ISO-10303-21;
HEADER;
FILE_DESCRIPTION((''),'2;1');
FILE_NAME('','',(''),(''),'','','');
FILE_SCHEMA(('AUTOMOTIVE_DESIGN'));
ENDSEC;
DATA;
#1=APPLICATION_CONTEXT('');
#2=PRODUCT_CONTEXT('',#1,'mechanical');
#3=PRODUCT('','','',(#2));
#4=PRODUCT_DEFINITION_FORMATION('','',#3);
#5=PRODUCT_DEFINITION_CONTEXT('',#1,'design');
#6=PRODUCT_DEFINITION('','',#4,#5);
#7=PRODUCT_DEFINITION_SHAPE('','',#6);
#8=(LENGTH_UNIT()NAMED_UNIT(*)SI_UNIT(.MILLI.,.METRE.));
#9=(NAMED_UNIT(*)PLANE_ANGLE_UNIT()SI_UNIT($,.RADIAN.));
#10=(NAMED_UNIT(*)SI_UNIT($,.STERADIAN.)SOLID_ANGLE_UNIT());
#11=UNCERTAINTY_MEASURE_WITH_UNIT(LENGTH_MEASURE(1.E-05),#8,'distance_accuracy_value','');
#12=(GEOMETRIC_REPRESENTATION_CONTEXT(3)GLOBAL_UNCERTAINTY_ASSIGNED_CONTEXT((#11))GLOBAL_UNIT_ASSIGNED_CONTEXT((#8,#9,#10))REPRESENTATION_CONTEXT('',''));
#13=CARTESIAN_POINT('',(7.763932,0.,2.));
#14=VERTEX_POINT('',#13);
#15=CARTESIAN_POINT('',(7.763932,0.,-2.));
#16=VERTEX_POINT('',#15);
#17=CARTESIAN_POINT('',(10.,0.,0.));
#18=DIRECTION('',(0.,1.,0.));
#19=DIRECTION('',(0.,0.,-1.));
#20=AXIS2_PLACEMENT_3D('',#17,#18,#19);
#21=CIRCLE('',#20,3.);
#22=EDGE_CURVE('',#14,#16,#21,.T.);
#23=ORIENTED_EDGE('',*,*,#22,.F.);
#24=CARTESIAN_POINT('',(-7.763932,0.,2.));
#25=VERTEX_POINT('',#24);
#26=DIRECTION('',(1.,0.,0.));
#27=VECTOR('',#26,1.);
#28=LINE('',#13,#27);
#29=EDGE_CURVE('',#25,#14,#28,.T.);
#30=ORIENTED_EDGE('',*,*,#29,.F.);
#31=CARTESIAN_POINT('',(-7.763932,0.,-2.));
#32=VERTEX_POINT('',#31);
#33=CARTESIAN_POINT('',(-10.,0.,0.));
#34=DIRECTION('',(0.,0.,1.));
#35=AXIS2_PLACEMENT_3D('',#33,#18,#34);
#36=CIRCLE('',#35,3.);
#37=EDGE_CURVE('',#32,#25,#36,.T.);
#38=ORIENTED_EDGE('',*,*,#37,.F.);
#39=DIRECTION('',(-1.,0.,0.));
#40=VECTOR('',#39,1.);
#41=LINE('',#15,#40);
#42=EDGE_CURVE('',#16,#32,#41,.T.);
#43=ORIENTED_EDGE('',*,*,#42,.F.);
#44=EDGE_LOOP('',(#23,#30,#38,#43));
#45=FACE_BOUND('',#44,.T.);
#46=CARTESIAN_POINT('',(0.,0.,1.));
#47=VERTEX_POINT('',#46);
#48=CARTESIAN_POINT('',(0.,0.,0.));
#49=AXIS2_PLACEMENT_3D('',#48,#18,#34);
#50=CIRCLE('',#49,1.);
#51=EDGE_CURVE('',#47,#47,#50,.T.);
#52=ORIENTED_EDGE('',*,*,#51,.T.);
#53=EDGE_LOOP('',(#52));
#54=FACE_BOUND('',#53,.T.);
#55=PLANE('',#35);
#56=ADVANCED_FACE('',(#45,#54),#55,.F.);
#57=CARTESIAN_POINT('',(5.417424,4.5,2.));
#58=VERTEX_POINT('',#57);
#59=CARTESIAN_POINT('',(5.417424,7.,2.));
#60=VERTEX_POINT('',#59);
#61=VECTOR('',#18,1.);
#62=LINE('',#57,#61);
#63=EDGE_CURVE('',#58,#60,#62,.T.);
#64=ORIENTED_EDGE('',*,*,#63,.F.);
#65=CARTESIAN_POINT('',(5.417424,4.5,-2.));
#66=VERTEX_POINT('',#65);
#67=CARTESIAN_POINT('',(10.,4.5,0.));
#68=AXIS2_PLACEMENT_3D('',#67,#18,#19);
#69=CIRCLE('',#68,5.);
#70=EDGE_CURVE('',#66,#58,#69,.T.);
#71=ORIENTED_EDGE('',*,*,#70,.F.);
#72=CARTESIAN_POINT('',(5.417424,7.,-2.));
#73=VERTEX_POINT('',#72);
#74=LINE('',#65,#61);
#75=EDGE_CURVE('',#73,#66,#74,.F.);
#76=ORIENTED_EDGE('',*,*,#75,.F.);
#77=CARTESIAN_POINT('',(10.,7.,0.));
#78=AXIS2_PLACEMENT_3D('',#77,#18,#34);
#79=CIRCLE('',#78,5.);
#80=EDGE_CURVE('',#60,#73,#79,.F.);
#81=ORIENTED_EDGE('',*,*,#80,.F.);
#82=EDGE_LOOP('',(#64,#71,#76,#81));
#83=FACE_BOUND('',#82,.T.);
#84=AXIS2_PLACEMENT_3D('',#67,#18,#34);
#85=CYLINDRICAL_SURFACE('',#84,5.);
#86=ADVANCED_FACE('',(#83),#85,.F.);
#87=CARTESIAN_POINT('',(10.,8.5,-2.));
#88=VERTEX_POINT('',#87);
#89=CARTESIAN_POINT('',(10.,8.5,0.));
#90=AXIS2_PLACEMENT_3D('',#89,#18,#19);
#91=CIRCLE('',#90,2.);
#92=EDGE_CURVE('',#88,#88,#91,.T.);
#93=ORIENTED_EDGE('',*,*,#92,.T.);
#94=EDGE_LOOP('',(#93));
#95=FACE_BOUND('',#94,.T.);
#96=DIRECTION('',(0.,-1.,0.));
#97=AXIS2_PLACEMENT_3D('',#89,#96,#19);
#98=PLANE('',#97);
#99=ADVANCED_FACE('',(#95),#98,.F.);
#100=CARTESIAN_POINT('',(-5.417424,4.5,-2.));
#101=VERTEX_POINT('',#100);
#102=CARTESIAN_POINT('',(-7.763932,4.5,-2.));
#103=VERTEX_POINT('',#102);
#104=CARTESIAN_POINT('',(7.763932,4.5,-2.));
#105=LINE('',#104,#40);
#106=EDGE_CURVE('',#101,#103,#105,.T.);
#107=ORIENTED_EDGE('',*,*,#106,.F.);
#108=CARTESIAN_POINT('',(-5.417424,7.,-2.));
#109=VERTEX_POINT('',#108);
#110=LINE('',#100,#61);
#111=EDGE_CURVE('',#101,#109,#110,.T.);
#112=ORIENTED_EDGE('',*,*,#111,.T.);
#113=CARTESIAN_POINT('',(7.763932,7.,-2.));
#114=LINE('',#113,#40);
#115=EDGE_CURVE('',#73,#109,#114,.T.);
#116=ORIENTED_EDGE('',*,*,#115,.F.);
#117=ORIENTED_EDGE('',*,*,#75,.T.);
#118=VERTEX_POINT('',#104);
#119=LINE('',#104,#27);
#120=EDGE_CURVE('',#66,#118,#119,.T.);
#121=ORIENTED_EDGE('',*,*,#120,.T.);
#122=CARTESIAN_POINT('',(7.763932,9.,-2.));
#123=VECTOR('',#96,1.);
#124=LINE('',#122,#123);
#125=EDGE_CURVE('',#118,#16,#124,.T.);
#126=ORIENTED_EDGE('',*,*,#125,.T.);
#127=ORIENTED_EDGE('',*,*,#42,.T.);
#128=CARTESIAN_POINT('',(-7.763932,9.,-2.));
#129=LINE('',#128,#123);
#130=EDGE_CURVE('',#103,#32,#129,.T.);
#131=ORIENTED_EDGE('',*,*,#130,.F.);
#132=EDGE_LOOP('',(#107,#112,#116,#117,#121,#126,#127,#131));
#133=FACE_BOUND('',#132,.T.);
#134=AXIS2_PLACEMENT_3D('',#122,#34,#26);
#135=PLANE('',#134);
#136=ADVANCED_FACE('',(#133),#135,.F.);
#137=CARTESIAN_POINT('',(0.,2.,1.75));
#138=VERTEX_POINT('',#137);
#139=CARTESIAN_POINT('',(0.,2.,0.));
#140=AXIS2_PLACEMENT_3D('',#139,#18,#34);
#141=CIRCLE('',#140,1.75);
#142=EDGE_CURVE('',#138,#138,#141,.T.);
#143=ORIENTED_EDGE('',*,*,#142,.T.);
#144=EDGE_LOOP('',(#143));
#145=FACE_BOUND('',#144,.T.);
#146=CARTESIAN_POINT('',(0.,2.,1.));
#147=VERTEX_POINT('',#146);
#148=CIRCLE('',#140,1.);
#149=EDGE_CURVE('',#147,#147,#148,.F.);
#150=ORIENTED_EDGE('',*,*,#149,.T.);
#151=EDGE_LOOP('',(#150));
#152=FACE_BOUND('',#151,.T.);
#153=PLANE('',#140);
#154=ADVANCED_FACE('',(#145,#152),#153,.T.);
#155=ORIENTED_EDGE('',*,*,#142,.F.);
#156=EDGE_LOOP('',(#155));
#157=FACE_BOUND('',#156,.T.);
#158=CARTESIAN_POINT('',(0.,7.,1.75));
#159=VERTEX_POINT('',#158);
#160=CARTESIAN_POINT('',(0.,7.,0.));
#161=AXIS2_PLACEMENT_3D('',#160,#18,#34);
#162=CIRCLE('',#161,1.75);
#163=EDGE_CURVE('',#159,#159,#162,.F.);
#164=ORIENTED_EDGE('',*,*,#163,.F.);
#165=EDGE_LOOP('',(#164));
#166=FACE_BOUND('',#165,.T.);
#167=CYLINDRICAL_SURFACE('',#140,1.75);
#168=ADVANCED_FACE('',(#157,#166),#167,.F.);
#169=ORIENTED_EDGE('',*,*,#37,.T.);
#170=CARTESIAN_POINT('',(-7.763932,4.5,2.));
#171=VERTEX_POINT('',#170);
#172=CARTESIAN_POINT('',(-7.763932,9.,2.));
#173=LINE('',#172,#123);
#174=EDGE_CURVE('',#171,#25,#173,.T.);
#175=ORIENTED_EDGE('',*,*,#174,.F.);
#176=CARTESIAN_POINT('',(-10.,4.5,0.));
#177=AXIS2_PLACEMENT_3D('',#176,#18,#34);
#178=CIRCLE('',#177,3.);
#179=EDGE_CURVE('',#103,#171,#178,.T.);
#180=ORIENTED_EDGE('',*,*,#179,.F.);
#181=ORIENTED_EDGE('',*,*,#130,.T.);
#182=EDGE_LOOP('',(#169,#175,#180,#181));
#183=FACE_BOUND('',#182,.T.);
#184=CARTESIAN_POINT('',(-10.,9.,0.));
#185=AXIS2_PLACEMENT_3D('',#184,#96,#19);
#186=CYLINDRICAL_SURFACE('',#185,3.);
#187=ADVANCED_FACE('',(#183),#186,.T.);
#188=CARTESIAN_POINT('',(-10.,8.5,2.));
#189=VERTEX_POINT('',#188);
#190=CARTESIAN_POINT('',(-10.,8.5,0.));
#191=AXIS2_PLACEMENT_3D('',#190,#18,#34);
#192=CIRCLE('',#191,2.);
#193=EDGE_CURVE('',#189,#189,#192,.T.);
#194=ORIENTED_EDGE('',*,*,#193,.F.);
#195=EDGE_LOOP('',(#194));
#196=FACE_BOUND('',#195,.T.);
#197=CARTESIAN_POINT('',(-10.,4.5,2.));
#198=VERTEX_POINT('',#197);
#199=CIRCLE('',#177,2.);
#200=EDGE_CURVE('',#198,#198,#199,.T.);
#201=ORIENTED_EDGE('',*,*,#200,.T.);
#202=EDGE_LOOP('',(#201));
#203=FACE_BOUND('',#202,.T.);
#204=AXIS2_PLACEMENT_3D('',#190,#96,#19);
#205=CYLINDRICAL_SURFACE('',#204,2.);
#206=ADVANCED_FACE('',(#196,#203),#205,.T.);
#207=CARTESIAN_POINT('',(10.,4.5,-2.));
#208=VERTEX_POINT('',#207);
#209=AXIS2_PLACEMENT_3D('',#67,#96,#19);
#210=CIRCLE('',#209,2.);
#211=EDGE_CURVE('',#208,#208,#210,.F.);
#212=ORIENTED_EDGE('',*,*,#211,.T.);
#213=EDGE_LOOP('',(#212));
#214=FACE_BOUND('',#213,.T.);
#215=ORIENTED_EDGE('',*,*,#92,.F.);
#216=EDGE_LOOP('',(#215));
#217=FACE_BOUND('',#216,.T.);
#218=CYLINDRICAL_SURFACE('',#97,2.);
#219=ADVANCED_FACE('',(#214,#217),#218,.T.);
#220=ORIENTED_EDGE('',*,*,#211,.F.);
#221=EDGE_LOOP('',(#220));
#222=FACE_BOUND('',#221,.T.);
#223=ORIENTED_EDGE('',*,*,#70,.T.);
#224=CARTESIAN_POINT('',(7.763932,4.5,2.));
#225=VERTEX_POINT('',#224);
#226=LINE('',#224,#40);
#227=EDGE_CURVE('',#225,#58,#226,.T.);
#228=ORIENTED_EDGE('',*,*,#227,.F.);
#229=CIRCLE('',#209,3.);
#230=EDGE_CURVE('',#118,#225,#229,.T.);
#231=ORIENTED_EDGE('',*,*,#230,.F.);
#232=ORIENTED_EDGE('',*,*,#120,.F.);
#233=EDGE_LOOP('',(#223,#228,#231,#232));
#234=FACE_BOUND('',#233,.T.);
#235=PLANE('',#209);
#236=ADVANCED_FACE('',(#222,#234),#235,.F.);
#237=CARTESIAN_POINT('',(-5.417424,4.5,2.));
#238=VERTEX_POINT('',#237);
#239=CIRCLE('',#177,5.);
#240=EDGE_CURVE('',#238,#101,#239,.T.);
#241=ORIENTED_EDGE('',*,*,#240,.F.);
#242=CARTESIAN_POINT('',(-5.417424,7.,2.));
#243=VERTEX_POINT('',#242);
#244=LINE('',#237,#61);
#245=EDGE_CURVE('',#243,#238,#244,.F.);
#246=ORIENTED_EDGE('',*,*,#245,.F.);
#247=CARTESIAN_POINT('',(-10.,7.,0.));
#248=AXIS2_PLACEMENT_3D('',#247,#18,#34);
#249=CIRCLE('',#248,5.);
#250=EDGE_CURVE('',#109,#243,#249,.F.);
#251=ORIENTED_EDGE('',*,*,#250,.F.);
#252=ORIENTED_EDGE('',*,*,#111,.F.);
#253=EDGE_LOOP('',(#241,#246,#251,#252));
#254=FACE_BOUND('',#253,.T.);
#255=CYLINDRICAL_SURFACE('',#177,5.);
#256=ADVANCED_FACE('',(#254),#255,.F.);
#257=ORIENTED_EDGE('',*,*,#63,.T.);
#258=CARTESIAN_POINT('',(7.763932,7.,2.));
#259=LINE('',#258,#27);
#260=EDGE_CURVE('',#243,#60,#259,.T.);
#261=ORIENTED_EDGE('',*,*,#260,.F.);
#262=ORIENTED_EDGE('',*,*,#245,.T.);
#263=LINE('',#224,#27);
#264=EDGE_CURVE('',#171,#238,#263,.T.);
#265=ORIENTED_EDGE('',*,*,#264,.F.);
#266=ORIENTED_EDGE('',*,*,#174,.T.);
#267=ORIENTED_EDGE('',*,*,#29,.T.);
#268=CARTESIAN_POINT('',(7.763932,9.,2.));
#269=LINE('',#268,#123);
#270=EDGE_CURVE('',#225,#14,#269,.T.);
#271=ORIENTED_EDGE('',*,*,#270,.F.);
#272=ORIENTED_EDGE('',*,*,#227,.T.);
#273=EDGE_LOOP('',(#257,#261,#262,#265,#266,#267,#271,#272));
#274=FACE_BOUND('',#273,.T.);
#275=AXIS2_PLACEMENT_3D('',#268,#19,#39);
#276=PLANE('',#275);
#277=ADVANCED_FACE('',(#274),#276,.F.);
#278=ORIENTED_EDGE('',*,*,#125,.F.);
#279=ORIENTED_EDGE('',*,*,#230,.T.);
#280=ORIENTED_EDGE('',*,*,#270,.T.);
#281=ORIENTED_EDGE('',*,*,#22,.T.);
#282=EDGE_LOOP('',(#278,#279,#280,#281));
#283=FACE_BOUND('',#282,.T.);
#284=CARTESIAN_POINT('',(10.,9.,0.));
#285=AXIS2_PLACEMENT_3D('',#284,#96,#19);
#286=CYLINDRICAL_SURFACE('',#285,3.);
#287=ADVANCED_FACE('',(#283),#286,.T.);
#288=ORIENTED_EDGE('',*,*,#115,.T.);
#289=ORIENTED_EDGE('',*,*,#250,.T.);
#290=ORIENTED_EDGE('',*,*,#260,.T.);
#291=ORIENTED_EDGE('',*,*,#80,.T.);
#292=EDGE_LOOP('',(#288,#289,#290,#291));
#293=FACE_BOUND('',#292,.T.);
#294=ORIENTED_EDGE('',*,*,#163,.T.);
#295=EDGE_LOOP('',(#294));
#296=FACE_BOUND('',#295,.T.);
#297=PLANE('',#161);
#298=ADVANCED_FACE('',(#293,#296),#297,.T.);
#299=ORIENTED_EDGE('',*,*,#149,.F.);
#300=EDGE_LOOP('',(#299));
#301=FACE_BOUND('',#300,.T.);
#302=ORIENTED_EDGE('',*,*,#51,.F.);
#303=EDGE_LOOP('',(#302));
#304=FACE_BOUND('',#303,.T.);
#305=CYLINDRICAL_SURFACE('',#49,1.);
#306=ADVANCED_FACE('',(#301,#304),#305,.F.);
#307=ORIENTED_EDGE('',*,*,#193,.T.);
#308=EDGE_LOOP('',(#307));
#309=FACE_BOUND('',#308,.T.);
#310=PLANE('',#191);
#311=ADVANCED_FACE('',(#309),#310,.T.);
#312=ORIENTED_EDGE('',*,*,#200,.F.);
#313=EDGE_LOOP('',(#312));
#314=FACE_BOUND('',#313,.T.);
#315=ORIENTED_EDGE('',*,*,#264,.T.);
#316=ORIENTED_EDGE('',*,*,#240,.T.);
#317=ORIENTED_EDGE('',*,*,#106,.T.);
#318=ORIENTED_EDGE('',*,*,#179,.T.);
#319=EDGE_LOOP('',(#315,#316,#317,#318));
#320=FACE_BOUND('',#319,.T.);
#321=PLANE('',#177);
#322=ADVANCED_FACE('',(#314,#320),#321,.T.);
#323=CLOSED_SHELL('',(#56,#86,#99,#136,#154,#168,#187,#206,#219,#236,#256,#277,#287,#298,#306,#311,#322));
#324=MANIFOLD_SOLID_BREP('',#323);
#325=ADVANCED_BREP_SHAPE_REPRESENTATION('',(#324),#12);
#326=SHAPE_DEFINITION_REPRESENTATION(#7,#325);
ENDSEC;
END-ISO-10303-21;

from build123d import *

# Parameters (mm, degrees)
EXTRUDE_1_DEPTH     = 9
SKETCH_2_R          = 5
CUT_EXTRUDE_1_DEPTH = 4.5
SKETCH_3_R          = 2
EXTRUDE_2_DEPTH     = 4
SKETCH_4_R          = 1
CUT_EXTRUDE_2_DEPTH = 10
SKETCH_5_R          = 1.75
CUT_EXTRUDE_3_DEPTH = 7
SKETCH_6_W          = 12.787856614
SKETCH_6_H          = 6.453658168
CUT_EXTRUDE_4_DEPTH = 2


with BuildPart() as part:
    # 草图1 → 凸台-拉伸1 (new body)
    with BuildSketch(Plane(origin=(0, 0, 0), x_dir=(1, 0, 0), z_dir=(0, 1, 0))):
        with BuildLine():
            Line((7.763932023, -2), (-7.763932023, -2))
            ThreePointArc((-7.763932023, -2), (-13, 0), (-7.763932023, 2))
            Line((-7.763932023, 2), (7.763932023, 2))
            ThreePointArc((7.763932023, 2), (13, 0), (7.763932023, -2))
        make_face()
    extrude(amount=EXTRUDE_1_DEPTH)

    # 草图2 → 切除-拉伸1 (cut)
    with BuildSketch(Plane(origin=(0, 9, 0), x_dir=(1, 0, 0), z_dir=(0, 1, 0))):
        with Locations((-10, 0)):
            Circle(SKETCH_2_R)
        with Locations((10, 0)):
            Circle(SKETCH_2_R)
    extrude(amount=-CUT_EXTRUDE_1_DEPTH, mode=Mode.SUBTRACT)

    # 草图3 → 凸台-拉伸2 (add)
    with BuildSketch(Plane(origin=(0, 4.5, 0), x_dir=(1, 0, 0), z_dir=(0, 1, 0))):
        with Locations((-10, 0)):
            Circle(SKETCH_3_R)
        with Locations((10, 0)):
            Circle(SKETCH_3_R)
    extrude(amount=EXTRUDE_2_DEPTH)

    # 草图4 → 切除-拉伸2 (cut, through all)
    with BuildSketch(Plane(origin=(0, 9, 0), x_dir=(1, 0, 0), z_dir=(0, 1, 0))):
        Circle(SKETCH_4_R)
    extrude(amount=-CUT_EXTRUDE_2_DEPTH, mode=Mode.SUBTRACT)

    # 草图5 → 切除-拉伸3 (cut)
    with BuildSketch(Plane(origin=(0, 9, 0), x_dir=(1, 0, 0), z_dir=(0, 1, 0))):
        Circle(SKETCH_5_R)
    extrude(amount=-CUT_EXTRUDE_3_DEPTH, mode=Mode.SUBTRACT)

    # 草图6 → 切除-拉伸4 (cut)
    with BuildSketch(Plane(origin=(0, 9, 0), x_dir=(1, 0, 0), z_dir=(0, 1, 0))):
        Rectangle(SKETCH_6_W, SKETCH_6_H)
    extrude(amount=-CUT_EXTRUDE_4_DEPTH, mode=Mode.SUBTRACT)


solid = part.part
